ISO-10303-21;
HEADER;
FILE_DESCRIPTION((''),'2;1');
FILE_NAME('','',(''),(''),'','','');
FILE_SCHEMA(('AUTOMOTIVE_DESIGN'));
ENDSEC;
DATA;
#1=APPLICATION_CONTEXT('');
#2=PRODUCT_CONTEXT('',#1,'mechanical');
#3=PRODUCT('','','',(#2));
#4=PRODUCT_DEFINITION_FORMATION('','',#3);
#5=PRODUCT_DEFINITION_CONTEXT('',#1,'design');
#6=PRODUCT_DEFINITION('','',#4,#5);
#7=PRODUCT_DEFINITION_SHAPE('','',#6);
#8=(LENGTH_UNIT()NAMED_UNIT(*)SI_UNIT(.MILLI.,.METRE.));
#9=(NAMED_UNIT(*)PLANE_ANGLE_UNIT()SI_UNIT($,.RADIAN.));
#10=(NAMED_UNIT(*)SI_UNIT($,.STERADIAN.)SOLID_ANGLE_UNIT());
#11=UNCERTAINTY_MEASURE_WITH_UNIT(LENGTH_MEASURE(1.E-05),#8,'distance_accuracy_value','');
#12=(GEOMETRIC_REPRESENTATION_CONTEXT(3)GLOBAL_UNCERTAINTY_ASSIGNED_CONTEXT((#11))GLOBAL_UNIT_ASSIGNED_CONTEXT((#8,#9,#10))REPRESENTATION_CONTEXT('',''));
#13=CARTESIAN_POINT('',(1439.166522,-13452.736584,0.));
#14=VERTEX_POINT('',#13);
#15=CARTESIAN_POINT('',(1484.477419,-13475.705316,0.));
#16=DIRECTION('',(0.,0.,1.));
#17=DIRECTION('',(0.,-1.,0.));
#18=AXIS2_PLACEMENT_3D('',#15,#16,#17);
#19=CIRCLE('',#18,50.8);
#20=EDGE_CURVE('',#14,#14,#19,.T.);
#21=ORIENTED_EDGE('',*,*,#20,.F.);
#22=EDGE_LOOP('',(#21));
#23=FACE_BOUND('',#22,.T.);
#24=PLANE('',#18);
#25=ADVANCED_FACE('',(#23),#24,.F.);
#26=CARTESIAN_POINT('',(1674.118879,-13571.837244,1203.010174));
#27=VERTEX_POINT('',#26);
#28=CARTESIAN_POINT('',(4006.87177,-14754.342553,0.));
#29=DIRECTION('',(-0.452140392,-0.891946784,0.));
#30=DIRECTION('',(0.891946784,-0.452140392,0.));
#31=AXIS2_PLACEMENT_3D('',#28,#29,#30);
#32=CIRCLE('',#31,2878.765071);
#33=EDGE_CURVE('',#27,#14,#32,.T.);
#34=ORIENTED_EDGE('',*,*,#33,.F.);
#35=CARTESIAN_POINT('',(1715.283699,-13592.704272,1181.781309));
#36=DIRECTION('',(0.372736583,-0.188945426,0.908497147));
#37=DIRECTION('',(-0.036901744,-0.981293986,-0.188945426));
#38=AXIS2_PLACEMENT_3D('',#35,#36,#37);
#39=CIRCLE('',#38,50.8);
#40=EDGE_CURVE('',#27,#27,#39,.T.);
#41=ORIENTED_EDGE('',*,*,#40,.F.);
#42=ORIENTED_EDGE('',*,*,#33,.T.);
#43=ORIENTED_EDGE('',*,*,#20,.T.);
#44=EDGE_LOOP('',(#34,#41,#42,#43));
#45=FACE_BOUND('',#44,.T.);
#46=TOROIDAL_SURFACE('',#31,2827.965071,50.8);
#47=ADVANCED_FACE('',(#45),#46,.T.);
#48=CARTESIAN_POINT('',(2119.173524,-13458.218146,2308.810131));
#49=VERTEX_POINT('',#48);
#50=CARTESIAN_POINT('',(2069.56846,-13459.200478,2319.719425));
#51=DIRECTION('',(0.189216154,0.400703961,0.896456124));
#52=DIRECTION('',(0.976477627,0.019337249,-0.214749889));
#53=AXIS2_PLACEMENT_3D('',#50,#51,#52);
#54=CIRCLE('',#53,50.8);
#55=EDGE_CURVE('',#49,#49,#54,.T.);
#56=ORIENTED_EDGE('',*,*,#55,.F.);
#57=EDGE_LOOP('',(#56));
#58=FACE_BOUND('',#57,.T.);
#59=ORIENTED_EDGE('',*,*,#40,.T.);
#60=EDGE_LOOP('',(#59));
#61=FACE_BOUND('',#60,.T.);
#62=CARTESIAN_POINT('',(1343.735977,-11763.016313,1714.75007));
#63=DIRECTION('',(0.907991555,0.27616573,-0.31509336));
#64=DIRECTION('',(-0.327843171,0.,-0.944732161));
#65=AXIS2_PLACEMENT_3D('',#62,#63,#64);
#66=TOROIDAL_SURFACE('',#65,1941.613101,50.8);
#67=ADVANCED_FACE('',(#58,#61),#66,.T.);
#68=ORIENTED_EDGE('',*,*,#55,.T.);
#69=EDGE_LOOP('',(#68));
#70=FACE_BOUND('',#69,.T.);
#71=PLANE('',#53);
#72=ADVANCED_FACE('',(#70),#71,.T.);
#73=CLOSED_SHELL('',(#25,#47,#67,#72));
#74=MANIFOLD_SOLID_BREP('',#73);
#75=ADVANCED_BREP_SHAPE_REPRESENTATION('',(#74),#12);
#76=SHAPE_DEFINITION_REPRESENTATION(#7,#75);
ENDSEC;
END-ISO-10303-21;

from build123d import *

# Parameters (mm, degrees)
SKETCH2_R = 50.8
SKETCH6_R = 50.799999993


with BuildPart() as part:
    # Sweep1: sweep along a path in Sketch4
    with BuildLine(Plane(origin=(-5131.078989002, -10122.186559946, 0), x_dir=(-0.8723137904079419, 0.44218815127260264, 0.20865830905633093), z_dir=(0.45214039237946024, 0.8919467840510149, -2.4980018054066026e-15))) as sweep1_path:
        ThreePointArc((-7253.727344917, 1547.615662957), (-7191.520486771, 2152.84762497), (-7260.209908177, 2757.378173768))
    # Sketch2 → Sweep1 (sweep)
    with BuildSketch(Plane(origin=(0, 0, 0), x_dir=(0.9602829596363347, -0.27902802266453763, 0), z_dir=(0, 0, 1))):
        with Locations((5185.617777687, -12526.27938552)):
            Circle(SKETCH2_R)
    sweep(path=sweep1_path.line)

    # Sweep2: sweep along a path in Sketch5
    with BuildLine(Plane(origin=(-2332.400973727, -709.400009665, 809.395257887), x_dir=(0.18612085311145735, 0.4079085380510345, 0.8938510237294195), z_dir=(-0.9079915551182666, -0.2761657301776024, 0.3150933596719927))) as sweep2_path:
        ThreePointArc((-4168.993629656, -12849.958887333), (-3630.278729459, -13129.879958055), (-3031.449360081, -13229.744545863))
    # Sketch6 → Sweep2 (sweep)
    with BuildSketch(Plane(origin=(1595.787154509, -808.926993286, 3889.52451291), x_dir=(0.81381322376985, 0.5369624706508986, -0.22221463032349403), z_dir=(0.37273658307556184, -0.18894542582523022, 0.9084971467742082))):
        with Locations((-6165.460608587, -11522.074885808)):
            Circle(SKETCH6_R)
    sweep(path=sweep2_path.line)


solid = part.part
